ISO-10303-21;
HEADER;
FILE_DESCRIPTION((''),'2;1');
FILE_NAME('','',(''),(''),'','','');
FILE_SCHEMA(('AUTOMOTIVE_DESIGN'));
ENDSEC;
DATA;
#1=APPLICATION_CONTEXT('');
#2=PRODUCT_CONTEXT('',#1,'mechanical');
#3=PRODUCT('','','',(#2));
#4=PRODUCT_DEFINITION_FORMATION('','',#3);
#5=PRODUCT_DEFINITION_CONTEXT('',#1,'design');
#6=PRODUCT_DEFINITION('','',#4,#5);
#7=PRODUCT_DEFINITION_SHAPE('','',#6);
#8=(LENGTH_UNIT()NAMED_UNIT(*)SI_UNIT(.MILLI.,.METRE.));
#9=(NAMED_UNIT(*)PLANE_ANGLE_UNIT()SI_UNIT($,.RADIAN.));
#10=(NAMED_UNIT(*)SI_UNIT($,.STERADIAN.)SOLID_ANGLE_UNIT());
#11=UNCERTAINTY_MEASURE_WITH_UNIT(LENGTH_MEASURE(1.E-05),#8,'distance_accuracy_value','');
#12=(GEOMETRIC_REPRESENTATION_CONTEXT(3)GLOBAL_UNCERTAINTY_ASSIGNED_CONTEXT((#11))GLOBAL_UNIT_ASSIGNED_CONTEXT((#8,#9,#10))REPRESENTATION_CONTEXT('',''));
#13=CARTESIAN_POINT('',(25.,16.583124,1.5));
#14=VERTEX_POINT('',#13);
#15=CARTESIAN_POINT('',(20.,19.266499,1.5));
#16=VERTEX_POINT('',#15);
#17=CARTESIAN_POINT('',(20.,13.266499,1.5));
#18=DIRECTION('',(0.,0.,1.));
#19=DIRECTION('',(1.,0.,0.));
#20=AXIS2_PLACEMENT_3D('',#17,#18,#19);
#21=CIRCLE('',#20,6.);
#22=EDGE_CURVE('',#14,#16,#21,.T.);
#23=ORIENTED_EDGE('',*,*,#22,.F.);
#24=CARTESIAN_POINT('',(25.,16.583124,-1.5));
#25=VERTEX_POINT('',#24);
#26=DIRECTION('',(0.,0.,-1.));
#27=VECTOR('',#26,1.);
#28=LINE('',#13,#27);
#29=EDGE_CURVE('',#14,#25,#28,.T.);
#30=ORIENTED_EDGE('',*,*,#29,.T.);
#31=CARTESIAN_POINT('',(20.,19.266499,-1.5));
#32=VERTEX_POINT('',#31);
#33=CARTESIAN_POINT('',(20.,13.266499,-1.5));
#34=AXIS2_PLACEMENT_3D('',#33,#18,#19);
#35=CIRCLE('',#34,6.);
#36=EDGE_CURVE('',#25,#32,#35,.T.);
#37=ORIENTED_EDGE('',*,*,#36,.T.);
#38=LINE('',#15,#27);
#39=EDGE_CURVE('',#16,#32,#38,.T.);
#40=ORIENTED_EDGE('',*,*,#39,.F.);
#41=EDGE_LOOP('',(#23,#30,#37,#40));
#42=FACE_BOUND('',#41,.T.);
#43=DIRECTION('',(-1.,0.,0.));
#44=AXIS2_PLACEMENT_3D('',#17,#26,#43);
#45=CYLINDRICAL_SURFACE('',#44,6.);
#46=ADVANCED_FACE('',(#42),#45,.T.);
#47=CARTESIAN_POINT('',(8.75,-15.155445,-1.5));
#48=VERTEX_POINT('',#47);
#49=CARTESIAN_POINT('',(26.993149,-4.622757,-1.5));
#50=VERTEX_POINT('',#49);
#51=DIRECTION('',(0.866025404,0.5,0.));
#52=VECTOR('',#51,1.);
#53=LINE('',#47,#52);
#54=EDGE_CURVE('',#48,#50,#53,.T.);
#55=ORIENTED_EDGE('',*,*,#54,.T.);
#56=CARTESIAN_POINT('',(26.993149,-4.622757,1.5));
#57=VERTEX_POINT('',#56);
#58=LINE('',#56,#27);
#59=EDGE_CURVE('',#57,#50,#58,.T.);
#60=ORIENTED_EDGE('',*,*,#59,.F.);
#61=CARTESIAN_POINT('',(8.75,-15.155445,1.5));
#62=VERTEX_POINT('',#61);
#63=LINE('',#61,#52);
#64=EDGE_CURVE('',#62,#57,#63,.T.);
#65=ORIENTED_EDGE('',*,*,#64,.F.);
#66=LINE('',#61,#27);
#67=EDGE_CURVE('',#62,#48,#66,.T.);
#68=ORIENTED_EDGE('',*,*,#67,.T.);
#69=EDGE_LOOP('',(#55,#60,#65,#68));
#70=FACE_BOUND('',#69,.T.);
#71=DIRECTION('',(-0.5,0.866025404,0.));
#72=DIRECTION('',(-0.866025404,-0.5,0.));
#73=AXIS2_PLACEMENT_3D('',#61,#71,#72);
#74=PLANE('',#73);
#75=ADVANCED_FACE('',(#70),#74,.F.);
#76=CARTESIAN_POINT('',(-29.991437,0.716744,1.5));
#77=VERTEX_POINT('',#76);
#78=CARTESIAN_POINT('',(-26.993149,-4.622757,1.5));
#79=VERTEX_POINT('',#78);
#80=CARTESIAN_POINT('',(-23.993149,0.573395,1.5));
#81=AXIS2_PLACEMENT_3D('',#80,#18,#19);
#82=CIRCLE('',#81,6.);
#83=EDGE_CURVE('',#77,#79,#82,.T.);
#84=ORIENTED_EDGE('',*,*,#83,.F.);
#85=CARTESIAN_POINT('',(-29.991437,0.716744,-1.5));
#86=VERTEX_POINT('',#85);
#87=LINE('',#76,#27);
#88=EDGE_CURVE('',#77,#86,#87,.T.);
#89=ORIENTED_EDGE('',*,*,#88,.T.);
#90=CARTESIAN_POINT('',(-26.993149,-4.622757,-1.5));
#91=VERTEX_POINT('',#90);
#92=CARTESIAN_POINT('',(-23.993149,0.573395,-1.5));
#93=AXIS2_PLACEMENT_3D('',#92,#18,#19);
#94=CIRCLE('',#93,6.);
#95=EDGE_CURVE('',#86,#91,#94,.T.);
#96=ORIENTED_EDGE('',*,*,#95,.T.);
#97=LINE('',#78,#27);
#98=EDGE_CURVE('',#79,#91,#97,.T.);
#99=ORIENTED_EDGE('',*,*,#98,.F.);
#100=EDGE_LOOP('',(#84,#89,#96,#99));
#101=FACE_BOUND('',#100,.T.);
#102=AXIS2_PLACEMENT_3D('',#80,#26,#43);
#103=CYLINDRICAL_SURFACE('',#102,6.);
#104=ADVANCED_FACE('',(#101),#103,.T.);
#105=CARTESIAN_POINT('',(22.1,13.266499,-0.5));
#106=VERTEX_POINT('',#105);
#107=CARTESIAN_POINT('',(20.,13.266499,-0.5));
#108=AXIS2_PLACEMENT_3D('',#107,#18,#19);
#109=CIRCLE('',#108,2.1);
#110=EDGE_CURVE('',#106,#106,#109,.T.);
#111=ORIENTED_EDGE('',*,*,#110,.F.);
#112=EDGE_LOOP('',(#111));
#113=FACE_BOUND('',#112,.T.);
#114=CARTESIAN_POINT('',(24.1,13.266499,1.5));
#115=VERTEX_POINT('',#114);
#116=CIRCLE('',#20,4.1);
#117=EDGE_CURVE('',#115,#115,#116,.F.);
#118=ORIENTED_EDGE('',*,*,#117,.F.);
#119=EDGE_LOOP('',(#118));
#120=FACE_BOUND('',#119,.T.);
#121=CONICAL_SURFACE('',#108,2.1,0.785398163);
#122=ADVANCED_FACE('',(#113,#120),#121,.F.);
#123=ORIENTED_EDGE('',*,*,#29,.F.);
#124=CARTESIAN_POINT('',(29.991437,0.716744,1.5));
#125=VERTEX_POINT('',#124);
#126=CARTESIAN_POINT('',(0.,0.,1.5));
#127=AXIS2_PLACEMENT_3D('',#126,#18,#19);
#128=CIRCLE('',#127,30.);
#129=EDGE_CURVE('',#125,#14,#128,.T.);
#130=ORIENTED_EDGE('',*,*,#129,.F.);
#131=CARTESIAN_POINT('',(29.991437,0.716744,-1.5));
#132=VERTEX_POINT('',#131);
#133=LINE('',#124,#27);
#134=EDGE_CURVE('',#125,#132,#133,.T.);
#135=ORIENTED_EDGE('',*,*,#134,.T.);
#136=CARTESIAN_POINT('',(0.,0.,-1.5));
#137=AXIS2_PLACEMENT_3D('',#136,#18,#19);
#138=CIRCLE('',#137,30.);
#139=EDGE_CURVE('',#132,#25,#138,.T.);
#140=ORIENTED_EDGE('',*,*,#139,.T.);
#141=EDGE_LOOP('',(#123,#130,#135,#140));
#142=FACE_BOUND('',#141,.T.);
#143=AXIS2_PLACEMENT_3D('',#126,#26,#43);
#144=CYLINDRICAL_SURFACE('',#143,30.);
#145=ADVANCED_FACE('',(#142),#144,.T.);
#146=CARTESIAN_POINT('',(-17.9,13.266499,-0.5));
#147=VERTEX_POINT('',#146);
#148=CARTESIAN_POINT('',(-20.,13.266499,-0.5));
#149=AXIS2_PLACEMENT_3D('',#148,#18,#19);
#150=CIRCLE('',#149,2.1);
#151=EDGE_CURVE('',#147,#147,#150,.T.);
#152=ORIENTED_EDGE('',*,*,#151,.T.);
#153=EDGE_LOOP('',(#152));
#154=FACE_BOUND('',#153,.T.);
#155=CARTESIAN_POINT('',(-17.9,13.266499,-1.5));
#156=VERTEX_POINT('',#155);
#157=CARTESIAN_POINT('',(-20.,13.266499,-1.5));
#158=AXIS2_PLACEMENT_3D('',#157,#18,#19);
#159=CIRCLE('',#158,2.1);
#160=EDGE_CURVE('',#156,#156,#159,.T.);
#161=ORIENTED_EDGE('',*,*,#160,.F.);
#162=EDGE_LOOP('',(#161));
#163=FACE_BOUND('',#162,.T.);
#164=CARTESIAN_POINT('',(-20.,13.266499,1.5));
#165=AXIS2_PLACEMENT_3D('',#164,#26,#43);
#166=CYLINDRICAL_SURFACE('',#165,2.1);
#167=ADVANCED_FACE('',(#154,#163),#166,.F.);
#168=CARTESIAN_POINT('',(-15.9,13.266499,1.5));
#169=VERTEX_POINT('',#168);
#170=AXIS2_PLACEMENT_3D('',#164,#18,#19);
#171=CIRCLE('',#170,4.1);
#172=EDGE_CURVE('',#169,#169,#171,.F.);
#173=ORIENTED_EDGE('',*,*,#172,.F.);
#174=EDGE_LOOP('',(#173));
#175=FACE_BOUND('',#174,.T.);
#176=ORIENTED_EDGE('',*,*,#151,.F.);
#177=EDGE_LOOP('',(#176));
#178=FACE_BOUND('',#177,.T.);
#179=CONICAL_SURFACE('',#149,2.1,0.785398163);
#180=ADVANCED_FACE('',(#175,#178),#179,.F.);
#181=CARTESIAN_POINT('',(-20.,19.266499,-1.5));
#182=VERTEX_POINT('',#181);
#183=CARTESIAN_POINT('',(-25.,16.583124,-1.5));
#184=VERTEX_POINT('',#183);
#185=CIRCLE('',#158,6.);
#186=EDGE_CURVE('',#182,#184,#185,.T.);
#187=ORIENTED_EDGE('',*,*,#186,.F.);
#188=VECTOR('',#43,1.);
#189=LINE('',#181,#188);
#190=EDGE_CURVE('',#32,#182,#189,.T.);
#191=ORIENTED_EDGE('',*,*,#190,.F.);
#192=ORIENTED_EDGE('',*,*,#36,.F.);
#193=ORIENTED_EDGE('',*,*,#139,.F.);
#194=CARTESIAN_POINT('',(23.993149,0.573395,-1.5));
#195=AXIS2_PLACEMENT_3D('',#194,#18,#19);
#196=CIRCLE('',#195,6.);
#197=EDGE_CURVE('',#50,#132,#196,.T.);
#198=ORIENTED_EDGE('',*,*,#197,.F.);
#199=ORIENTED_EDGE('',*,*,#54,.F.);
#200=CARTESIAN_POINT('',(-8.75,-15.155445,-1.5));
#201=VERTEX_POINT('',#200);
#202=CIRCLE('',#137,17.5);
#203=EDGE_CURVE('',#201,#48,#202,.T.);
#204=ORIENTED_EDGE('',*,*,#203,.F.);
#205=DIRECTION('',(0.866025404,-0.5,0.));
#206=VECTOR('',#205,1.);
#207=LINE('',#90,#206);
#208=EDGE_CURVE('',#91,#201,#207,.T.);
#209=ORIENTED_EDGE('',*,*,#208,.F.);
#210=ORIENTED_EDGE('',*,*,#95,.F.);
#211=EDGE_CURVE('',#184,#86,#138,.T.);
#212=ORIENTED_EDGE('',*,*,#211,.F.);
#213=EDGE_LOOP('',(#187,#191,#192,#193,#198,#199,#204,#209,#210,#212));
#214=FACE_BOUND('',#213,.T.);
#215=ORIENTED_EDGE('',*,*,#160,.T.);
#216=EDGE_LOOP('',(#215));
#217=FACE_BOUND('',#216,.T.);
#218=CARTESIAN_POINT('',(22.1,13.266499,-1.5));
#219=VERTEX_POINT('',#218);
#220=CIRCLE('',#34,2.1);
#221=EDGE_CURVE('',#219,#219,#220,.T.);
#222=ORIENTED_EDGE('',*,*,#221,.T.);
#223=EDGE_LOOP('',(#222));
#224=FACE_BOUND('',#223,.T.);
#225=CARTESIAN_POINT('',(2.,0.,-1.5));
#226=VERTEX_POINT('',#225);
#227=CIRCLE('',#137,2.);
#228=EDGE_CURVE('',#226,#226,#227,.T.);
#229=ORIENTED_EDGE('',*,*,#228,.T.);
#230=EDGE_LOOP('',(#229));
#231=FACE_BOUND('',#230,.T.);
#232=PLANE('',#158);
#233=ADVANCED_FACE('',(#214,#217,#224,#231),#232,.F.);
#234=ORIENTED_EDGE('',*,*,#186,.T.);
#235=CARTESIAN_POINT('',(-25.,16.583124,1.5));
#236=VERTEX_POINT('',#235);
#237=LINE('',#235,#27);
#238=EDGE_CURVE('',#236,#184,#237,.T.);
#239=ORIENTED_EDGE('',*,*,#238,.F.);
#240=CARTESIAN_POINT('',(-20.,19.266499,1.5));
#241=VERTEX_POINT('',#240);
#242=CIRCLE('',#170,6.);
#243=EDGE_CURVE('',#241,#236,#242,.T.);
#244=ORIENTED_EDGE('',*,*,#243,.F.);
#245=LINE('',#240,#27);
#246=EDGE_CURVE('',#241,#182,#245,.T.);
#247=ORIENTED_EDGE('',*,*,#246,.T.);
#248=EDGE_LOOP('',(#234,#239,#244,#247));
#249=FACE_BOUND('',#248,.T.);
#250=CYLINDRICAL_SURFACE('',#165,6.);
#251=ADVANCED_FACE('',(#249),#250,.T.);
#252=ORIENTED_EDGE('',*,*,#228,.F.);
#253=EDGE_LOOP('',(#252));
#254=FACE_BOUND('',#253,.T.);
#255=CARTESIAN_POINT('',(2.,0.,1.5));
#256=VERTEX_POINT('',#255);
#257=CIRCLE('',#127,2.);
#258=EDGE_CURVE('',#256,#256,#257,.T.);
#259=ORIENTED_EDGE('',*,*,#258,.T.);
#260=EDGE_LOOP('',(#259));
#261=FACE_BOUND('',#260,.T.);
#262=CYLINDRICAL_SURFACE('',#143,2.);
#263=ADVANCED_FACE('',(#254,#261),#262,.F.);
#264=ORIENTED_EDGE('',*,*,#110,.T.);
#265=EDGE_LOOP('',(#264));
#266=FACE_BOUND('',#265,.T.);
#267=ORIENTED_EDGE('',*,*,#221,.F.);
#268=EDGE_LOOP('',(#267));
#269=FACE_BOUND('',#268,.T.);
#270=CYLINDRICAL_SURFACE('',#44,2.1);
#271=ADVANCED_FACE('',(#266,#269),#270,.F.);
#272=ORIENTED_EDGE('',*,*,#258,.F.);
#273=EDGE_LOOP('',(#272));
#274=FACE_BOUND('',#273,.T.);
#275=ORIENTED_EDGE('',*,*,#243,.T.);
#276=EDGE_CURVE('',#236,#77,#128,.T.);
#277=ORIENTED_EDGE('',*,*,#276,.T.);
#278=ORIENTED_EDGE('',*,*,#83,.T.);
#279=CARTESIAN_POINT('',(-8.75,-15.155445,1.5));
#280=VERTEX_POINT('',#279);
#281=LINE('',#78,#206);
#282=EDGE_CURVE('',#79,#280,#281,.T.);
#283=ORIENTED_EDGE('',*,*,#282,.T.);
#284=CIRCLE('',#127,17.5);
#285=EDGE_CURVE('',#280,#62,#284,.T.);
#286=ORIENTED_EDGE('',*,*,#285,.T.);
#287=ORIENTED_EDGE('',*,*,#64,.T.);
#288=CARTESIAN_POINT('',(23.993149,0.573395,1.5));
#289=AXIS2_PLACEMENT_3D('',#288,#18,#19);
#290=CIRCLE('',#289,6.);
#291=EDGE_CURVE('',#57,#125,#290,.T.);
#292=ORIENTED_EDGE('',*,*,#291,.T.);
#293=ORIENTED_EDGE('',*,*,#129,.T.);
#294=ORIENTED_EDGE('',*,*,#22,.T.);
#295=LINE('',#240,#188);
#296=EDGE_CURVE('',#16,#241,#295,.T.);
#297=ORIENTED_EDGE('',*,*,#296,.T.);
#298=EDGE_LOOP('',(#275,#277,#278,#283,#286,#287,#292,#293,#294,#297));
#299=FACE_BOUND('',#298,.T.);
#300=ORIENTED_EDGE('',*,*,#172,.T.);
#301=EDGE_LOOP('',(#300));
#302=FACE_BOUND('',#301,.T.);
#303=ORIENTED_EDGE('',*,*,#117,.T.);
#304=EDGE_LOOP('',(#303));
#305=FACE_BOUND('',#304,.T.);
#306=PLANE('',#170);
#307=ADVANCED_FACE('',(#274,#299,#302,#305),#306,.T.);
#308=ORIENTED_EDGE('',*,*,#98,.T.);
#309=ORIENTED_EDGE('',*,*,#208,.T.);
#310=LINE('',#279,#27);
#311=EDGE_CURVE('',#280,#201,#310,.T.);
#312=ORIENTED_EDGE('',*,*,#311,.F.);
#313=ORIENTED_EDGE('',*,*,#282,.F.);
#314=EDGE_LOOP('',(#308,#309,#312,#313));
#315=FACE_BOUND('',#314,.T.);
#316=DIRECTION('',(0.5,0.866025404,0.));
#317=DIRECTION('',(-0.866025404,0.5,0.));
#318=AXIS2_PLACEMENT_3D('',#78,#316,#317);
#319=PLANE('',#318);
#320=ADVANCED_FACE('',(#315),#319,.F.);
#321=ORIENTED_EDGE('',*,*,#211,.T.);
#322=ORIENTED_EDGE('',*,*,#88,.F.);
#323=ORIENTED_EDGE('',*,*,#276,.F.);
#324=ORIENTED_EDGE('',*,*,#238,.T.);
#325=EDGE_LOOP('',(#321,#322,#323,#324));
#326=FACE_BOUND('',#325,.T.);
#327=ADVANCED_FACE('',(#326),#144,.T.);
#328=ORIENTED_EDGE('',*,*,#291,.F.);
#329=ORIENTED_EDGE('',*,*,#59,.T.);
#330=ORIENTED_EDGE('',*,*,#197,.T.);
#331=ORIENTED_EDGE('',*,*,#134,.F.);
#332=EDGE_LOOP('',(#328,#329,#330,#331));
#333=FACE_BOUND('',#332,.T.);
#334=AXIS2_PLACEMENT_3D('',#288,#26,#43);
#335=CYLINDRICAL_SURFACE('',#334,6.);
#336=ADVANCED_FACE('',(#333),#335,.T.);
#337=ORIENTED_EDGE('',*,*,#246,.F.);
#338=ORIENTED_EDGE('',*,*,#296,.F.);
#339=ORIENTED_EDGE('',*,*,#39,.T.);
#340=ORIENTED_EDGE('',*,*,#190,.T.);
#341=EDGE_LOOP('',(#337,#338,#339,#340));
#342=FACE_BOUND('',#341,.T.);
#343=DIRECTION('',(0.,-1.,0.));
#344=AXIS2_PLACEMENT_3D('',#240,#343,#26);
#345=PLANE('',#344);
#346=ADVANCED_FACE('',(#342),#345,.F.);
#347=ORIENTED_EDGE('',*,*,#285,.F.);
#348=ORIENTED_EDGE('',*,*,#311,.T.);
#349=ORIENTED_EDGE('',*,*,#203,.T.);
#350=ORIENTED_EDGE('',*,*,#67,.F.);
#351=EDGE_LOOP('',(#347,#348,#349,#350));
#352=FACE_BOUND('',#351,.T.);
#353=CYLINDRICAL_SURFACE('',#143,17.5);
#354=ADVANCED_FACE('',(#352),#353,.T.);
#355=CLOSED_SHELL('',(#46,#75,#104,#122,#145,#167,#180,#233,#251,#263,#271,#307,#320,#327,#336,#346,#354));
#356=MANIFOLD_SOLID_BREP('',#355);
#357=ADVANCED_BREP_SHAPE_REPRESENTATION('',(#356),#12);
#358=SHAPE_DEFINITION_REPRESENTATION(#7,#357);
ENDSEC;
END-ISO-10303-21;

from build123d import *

# Parameters (mm, degrees)
SKETCH_1_R      = 2.1
SKETCH_1_R_2    = 2
EXTRUDE_1_DEPTH = 1.5
CHAMFER_1_SIZE  = 2


with BuildPart() as part:
    # 草图1 → 凸台-拉伸1 (new, symmetric)
    with BuildSketch(Plane.XY):
        with BuildLine():
            Line((-20, 19.266499161), (20, 19.266499161))
            ThreePointArc((20, 19.266499161), (22.837274331, 18.553263235), (25, 16.583123952))
            ThreePointArc((25, 16.583123952), (28.617303042, 9.002775495), (29.991436749, 0.716743841))
            ThreePointArc((29.991436749, 0.716743841), (29.224770759, -2.364314571), (26.993149399, -4.62275735))
            Line((26.993149399, -4.62275735), (8.75, -15.155444566))
            ThreePointArc((8.75, -15.155444566), (0, -17.5), (-8.75, -15.155444566))
            Line((-8.75, -15.155444566), (-26.993149399, -4.62275735))
            ThreePointArc((-26.993149399, -4.62275735), (-29.224770759, -2.364314571), (-29.991436749, 0.716743841))
            ThreePointArc((-29.991436749, 0.716743841), (-28.617303042, 9.002775495), (-25, 16.583123952))
            ThreePointArc((-25, 16.583123952), (-22.837274331, 18.553263235), (-20, 19.266499161))
        make_face()
        with Locations((-20, 13.266499161)):
            Circle(SKETCH_1_R, mode=Mode.SUBTRACT)
        with Locations((20, 13.266499161)):
            Circle(SKETCH_1_R, mode=Mode.SUBTRACT)
        Circle(SKETCH_1_R_2, mode=Mode.SUBTRACT)
    extrude(amount=EXTRUDE_1_DEPTH, both=True)

    # 倒角1
    chamfer_1_edges = [part.edges().sort_by_distance(p)[0] for p in [
        (-22.1, 13.266499161, 1.5),
        (17.9, 13.266499161, 1.5),
    ]]
    chamfer(chamfer_1_edges, length=CHAMFER_1_SIZE)


solid = part.part
